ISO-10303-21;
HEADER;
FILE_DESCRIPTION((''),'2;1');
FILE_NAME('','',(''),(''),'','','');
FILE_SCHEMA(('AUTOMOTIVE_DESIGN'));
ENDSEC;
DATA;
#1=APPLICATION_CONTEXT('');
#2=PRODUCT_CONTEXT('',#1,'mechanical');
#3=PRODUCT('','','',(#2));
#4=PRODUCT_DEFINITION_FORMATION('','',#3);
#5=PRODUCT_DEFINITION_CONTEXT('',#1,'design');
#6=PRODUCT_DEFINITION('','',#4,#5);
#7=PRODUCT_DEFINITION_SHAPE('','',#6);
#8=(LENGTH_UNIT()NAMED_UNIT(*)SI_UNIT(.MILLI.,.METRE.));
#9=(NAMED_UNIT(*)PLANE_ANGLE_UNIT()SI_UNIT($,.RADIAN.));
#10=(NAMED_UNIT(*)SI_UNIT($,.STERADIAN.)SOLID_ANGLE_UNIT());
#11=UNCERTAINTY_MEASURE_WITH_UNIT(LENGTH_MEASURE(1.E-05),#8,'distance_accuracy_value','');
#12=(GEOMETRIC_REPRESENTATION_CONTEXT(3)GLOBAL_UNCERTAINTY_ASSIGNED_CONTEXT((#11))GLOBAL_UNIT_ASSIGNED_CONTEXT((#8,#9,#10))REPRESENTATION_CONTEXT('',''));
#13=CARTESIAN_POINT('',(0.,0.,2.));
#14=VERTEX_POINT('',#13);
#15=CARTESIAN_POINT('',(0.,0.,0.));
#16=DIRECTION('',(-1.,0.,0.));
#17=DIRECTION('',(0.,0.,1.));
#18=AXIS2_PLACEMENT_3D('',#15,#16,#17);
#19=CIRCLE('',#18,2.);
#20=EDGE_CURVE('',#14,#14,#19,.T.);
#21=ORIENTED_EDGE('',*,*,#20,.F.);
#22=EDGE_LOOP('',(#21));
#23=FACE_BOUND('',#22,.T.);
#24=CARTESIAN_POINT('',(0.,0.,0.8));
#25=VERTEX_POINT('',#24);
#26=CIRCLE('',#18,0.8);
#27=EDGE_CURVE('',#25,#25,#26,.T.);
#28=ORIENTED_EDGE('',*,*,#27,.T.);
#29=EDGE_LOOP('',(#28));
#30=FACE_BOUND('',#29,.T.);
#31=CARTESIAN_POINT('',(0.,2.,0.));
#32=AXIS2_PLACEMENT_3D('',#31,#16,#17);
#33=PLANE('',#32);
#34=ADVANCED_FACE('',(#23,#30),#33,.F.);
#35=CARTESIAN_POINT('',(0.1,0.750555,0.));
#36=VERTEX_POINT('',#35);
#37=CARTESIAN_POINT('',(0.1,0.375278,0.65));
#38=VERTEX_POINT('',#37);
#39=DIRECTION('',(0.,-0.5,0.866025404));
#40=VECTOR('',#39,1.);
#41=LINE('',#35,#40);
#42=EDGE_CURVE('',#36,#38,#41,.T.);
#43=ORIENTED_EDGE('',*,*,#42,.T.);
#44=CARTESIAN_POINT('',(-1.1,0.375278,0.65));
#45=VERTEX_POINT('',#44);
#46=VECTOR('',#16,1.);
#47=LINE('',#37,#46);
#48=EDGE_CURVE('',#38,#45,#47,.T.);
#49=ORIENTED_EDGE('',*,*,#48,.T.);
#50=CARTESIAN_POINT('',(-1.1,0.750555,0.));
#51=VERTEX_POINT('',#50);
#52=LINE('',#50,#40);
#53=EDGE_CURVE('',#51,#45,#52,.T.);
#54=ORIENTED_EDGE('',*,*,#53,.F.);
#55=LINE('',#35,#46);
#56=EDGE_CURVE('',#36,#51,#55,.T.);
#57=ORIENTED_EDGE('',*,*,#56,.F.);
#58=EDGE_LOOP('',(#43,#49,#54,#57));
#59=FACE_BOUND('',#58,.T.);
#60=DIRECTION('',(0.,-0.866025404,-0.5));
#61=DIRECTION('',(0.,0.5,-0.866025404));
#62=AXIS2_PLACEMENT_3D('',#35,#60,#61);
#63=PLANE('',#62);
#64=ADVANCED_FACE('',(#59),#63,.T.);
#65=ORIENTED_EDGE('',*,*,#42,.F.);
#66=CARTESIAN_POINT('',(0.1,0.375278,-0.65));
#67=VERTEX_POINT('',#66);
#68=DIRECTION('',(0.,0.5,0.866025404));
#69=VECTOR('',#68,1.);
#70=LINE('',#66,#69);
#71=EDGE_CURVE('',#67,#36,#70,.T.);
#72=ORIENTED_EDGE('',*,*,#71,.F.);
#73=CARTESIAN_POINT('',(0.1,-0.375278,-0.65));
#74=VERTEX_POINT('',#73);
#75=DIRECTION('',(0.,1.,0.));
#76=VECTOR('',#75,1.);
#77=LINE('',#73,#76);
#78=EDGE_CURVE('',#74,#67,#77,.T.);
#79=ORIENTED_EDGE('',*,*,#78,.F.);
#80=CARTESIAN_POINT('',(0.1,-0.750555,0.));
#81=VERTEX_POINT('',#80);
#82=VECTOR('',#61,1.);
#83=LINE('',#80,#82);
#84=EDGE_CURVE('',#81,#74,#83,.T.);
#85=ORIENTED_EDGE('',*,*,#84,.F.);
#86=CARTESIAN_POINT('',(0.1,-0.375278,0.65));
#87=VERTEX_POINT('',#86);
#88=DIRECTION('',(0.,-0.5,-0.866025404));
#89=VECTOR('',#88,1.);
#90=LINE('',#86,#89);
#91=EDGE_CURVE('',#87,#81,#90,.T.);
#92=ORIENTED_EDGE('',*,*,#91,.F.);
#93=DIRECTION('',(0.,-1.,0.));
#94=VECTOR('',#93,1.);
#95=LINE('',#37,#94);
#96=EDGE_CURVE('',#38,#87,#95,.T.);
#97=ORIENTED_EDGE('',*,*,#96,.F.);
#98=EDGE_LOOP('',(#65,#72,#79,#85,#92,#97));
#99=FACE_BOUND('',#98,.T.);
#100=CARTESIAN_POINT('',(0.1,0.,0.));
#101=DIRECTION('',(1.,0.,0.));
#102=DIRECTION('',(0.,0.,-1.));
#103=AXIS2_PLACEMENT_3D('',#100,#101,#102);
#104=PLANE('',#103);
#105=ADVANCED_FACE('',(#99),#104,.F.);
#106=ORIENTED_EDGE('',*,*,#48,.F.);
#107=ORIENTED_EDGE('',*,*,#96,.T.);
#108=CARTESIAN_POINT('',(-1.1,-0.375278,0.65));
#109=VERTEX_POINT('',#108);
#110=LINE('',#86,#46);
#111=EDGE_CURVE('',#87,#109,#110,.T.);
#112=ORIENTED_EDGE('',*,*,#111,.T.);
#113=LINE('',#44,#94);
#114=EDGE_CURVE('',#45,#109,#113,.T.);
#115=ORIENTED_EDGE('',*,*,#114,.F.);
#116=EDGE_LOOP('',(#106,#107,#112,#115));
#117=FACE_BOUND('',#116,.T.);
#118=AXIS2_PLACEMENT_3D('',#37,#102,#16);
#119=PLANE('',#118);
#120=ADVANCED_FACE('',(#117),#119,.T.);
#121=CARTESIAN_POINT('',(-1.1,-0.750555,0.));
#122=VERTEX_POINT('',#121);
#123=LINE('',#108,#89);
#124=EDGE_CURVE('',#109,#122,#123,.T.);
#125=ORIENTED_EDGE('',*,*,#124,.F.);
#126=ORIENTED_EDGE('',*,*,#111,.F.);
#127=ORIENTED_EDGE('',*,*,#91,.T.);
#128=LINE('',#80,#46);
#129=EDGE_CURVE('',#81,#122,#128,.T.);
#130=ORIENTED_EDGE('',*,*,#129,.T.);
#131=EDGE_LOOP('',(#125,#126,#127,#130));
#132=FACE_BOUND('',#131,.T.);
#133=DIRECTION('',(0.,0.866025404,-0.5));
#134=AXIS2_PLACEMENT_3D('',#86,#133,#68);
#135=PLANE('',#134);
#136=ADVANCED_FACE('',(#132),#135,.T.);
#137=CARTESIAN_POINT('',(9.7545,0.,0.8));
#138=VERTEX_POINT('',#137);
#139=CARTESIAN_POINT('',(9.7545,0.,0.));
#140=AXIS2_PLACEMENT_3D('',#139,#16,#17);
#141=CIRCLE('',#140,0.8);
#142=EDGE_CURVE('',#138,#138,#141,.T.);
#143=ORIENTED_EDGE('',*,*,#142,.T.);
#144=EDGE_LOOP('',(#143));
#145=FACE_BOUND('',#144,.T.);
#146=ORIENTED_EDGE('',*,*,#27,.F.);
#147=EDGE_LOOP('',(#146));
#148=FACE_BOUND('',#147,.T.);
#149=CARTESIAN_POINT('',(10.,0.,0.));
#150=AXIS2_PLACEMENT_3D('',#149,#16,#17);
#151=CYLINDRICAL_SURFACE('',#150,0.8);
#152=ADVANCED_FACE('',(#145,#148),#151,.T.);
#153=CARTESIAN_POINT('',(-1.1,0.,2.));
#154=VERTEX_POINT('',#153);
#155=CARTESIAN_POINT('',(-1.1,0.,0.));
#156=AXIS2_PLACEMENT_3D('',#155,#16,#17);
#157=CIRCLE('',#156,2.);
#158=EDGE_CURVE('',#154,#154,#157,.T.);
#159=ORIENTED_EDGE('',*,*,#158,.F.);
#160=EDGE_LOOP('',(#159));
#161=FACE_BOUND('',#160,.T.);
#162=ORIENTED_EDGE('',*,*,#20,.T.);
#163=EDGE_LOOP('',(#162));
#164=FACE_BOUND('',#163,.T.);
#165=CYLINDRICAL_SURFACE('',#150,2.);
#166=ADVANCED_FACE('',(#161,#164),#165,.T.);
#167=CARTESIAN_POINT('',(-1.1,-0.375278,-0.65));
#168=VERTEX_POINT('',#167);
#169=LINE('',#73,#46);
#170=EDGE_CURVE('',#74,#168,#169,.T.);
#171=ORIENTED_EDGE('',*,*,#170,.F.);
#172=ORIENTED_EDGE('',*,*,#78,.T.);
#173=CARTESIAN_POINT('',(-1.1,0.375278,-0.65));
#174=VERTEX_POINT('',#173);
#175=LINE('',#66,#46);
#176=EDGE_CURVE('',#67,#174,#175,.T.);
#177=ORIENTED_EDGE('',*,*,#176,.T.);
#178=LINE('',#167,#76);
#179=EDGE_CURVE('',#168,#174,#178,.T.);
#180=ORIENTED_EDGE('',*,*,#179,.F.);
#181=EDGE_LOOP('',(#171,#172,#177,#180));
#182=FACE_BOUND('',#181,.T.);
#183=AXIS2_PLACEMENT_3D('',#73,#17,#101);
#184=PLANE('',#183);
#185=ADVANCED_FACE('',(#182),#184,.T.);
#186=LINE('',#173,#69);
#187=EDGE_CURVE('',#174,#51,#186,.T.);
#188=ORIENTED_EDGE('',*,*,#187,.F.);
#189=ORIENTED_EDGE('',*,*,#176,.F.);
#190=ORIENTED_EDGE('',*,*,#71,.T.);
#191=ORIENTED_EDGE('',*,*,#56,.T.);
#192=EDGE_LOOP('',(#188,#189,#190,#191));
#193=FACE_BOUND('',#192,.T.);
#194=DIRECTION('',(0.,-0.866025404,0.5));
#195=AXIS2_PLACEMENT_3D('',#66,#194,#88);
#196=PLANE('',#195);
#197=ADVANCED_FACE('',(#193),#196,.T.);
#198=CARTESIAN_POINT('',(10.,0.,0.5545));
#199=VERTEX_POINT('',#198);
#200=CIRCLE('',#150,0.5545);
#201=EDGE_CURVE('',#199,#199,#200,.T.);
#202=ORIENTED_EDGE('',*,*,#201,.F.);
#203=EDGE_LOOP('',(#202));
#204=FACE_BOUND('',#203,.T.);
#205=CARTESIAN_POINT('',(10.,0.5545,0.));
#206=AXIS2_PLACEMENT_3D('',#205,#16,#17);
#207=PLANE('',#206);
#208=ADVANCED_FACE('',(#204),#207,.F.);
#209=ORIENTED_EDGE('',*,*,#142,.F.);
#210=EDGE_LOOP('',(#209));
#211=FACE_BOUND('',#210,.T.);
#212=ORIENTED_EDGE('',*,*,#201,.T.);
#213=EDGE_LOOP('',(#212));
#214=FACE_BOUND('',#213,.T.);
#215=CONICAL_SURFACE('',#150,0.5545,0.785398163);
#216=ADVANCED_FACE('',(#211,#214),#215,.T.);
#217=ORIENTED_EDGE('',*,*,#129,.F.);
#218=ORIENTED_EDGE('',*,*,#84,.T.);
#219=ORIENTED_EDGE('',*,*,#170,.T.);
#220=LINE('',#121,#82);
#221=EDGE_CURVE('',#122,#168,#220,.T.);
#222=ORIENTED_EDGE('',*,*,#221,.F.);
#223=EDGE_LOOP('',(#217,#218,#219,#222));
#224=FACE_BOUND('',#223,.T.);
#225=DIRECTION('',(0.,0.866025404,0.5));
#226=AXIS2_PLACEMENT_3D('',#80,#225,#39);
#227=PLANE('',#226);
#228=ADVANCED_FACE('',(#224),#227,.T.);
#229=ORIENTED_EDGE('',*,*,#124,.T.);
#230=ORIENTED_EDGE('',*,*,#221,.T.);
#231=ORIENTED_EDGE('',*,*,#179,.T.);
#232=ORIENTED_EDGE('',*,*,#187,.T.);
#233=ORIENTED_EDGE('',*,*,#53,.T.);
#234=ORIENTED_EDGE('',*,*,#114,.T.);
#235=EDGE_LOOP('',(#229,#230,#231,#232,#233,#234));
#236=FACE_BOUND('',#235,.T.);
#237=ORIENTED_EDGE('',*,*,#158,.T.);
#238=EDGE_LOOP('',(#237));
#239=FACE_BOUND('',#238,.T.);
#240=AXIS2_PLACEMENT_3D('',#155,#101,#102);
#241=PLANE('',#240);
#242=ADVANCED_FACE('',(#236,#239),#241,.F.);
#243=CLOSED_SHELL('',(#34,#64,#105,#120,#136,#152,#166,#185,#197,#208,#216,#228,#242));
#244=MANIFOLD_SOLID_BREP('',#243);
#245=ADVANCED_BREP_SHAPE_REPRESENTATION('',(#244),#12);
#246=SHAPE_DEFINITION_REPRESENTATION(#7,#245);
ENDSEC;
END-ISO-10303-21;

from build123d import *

# Parameters (mm, degrees)
CUT_EXTRUDE1_DEPTH = 1.2


with BuildPart() as part:
    # Sketch1 → Revolve1 (revolve)
    with BuildSketch(Plane.XY):
        Polygon((-1.1, 0), (-1.1, 2), (0, 2), (0, 0.8), (9.7545, 0.8), (10, 0.5545), (10, 0), align=None)
    revolve(axis=Axis((10, 0, 0), (-1, 0, 0)))

    # Sketch2 → Cut-Extrude1 (cut)
    with BuildSketch(Plane(origin=(-1.1, 0, 0), x_dir=(0, 0, -1), z_dir=(1, 0, 0))):
        Polygon((-0.65, -0.375277675), (0, -0.75055535), (0.65, -0.375277675), (0.65, 0.375277675), (0, 0.75055535), (-0.65, 0.375277675), align=None)
    extrude(amount=CUT_EXTRUDE1_DEPTH, mode=Mode.SUBTRACT)


solid = part.part
